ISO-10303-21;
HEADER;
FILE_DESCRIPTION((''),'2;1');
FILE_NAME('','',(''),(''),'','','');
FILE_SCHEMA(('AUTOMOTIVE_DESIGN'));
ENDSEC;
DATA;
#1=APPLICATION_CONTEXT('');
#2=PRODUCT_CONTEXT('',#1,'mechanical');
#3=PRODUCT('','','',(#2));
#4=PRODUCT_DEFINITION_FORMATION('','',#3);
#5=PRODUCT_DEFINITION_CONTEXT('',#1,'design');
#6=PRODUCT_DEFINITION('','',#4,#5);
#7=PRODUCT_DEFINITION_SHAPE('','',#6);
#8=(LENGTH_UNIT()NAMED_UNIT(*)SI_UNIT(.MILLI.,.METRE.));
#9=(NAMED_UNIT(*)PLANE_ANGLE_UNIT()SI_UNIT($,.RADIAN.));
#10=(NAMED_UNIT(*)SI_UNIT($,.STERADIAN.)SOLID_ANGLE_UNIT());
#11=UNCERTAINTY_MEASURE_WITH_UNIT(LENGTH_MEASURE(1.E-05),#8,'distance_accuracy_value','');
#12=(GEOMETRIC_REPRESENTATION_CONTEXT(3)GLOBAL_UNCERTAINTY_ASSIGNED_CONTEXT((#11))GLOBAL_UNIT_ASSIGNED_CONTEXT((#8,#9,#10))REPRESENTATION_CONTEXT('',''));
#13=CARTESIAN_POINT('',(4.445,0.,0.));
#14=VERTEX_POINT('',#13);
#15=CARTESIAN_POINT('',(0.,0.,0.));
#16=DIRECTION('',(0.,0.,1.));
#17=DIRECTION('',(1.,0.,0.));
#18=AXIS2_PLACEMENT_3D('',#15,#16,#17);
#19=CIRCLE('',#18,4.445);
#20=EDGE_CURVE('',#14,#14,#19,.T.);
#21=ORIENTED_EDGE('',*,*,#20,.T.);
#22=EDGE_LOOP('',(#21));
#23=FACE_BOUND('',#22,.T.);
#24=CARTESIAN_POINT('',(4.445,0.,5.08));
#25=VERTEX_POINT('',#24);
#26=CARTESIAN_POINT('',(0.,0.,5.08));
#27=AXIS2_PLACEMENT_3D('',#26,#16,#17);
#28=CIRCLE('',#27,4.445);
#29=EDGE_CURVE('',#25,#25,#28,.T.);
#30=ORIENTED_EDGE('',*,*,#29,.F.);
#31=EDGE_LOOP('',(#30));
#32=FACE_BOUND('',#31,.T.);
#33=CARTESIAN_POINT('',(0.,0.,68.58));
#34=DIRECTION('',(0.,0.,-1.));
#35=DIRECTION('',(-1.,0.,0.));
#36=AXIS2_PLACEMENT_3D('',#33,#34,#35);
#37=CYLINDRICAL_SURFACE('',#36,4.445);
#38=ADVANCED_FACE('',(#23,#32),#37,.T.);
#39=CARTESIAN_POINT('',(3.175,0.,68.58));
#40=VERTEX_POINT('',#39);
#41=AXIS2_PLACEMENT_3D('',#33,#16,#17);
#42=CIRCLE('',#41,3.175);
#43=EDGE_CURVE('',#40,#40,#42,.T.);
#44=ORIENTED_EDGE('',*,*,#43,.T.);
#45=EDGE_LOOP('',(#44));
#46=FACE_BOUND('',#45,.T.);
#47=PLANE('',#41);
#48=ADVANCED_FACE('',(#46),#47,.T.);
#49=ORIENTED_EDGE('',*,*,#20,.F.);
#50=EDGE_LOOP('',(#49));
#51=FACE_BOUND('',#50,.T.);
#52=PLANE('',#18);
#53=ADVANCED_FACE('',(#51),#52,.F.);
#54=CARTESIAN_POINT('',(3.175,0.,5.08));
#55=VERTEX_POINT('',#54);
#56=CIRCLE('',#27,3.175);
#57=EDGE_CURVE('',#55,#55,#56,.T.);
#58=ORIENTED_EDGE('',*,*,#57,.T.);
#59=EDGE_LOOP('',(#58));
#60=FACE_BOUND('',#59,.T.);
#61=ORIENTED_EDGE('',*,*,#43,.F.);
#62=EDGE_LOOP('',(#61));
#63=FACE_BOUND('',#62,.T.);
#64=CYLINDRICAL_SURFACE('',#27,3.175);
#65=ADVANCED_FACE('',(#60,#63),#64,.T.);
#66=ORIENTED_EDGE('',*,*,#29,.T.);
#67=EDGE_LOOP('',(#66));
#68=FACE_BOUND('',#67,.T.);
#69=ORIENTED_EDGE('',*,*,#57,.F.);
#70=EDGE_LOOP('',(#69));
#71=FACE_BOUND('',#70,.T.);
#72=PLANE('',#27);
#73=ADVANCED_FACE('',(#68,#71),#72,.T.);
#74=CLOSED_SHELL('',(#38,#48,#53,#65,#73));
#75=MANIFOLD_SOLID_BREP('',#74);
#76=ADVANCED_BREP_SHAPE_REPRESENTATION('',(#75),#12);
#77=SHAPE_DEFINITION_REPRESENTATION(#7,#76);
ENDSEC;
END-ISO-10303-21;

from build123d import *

# Parameters (mm, degrees)
SKETCH1_R         = 4.445
EXTRUDE1_DEPTH    = 68.58
SKETCH2_OUTSIDE_W = 24.834
SKETCH2_OUTSIDE_H = 24.834
SKETCH2_OUTSIDE_R = 3.175
EXTRUDE2_DEPTH    = 63.5


with BuildPart() as part:
    # Sketch1 → Extrude1 (new body)
    with BuildSketch(Plane.XY):
        Circle(SKETCH1_R)
    extrude(amount=EXTRUDE1_DEPTH)

    # Sketch2 outside → Extrude2 (cut)
    with BuildSketch(Plane.XY.offset(68.58)):
        Rectangle(SKETCH2_OUTSIDE_W, SKETCH2_OUTSIDE_H)
        Circle(SKETCH2_OUTSIDE_R, mode=Mode.SUBTRACT)
    extrude(amount=-EXTRUDE2_DEPTH, mode=Mode.SUBTRACT)


solid = part.part
